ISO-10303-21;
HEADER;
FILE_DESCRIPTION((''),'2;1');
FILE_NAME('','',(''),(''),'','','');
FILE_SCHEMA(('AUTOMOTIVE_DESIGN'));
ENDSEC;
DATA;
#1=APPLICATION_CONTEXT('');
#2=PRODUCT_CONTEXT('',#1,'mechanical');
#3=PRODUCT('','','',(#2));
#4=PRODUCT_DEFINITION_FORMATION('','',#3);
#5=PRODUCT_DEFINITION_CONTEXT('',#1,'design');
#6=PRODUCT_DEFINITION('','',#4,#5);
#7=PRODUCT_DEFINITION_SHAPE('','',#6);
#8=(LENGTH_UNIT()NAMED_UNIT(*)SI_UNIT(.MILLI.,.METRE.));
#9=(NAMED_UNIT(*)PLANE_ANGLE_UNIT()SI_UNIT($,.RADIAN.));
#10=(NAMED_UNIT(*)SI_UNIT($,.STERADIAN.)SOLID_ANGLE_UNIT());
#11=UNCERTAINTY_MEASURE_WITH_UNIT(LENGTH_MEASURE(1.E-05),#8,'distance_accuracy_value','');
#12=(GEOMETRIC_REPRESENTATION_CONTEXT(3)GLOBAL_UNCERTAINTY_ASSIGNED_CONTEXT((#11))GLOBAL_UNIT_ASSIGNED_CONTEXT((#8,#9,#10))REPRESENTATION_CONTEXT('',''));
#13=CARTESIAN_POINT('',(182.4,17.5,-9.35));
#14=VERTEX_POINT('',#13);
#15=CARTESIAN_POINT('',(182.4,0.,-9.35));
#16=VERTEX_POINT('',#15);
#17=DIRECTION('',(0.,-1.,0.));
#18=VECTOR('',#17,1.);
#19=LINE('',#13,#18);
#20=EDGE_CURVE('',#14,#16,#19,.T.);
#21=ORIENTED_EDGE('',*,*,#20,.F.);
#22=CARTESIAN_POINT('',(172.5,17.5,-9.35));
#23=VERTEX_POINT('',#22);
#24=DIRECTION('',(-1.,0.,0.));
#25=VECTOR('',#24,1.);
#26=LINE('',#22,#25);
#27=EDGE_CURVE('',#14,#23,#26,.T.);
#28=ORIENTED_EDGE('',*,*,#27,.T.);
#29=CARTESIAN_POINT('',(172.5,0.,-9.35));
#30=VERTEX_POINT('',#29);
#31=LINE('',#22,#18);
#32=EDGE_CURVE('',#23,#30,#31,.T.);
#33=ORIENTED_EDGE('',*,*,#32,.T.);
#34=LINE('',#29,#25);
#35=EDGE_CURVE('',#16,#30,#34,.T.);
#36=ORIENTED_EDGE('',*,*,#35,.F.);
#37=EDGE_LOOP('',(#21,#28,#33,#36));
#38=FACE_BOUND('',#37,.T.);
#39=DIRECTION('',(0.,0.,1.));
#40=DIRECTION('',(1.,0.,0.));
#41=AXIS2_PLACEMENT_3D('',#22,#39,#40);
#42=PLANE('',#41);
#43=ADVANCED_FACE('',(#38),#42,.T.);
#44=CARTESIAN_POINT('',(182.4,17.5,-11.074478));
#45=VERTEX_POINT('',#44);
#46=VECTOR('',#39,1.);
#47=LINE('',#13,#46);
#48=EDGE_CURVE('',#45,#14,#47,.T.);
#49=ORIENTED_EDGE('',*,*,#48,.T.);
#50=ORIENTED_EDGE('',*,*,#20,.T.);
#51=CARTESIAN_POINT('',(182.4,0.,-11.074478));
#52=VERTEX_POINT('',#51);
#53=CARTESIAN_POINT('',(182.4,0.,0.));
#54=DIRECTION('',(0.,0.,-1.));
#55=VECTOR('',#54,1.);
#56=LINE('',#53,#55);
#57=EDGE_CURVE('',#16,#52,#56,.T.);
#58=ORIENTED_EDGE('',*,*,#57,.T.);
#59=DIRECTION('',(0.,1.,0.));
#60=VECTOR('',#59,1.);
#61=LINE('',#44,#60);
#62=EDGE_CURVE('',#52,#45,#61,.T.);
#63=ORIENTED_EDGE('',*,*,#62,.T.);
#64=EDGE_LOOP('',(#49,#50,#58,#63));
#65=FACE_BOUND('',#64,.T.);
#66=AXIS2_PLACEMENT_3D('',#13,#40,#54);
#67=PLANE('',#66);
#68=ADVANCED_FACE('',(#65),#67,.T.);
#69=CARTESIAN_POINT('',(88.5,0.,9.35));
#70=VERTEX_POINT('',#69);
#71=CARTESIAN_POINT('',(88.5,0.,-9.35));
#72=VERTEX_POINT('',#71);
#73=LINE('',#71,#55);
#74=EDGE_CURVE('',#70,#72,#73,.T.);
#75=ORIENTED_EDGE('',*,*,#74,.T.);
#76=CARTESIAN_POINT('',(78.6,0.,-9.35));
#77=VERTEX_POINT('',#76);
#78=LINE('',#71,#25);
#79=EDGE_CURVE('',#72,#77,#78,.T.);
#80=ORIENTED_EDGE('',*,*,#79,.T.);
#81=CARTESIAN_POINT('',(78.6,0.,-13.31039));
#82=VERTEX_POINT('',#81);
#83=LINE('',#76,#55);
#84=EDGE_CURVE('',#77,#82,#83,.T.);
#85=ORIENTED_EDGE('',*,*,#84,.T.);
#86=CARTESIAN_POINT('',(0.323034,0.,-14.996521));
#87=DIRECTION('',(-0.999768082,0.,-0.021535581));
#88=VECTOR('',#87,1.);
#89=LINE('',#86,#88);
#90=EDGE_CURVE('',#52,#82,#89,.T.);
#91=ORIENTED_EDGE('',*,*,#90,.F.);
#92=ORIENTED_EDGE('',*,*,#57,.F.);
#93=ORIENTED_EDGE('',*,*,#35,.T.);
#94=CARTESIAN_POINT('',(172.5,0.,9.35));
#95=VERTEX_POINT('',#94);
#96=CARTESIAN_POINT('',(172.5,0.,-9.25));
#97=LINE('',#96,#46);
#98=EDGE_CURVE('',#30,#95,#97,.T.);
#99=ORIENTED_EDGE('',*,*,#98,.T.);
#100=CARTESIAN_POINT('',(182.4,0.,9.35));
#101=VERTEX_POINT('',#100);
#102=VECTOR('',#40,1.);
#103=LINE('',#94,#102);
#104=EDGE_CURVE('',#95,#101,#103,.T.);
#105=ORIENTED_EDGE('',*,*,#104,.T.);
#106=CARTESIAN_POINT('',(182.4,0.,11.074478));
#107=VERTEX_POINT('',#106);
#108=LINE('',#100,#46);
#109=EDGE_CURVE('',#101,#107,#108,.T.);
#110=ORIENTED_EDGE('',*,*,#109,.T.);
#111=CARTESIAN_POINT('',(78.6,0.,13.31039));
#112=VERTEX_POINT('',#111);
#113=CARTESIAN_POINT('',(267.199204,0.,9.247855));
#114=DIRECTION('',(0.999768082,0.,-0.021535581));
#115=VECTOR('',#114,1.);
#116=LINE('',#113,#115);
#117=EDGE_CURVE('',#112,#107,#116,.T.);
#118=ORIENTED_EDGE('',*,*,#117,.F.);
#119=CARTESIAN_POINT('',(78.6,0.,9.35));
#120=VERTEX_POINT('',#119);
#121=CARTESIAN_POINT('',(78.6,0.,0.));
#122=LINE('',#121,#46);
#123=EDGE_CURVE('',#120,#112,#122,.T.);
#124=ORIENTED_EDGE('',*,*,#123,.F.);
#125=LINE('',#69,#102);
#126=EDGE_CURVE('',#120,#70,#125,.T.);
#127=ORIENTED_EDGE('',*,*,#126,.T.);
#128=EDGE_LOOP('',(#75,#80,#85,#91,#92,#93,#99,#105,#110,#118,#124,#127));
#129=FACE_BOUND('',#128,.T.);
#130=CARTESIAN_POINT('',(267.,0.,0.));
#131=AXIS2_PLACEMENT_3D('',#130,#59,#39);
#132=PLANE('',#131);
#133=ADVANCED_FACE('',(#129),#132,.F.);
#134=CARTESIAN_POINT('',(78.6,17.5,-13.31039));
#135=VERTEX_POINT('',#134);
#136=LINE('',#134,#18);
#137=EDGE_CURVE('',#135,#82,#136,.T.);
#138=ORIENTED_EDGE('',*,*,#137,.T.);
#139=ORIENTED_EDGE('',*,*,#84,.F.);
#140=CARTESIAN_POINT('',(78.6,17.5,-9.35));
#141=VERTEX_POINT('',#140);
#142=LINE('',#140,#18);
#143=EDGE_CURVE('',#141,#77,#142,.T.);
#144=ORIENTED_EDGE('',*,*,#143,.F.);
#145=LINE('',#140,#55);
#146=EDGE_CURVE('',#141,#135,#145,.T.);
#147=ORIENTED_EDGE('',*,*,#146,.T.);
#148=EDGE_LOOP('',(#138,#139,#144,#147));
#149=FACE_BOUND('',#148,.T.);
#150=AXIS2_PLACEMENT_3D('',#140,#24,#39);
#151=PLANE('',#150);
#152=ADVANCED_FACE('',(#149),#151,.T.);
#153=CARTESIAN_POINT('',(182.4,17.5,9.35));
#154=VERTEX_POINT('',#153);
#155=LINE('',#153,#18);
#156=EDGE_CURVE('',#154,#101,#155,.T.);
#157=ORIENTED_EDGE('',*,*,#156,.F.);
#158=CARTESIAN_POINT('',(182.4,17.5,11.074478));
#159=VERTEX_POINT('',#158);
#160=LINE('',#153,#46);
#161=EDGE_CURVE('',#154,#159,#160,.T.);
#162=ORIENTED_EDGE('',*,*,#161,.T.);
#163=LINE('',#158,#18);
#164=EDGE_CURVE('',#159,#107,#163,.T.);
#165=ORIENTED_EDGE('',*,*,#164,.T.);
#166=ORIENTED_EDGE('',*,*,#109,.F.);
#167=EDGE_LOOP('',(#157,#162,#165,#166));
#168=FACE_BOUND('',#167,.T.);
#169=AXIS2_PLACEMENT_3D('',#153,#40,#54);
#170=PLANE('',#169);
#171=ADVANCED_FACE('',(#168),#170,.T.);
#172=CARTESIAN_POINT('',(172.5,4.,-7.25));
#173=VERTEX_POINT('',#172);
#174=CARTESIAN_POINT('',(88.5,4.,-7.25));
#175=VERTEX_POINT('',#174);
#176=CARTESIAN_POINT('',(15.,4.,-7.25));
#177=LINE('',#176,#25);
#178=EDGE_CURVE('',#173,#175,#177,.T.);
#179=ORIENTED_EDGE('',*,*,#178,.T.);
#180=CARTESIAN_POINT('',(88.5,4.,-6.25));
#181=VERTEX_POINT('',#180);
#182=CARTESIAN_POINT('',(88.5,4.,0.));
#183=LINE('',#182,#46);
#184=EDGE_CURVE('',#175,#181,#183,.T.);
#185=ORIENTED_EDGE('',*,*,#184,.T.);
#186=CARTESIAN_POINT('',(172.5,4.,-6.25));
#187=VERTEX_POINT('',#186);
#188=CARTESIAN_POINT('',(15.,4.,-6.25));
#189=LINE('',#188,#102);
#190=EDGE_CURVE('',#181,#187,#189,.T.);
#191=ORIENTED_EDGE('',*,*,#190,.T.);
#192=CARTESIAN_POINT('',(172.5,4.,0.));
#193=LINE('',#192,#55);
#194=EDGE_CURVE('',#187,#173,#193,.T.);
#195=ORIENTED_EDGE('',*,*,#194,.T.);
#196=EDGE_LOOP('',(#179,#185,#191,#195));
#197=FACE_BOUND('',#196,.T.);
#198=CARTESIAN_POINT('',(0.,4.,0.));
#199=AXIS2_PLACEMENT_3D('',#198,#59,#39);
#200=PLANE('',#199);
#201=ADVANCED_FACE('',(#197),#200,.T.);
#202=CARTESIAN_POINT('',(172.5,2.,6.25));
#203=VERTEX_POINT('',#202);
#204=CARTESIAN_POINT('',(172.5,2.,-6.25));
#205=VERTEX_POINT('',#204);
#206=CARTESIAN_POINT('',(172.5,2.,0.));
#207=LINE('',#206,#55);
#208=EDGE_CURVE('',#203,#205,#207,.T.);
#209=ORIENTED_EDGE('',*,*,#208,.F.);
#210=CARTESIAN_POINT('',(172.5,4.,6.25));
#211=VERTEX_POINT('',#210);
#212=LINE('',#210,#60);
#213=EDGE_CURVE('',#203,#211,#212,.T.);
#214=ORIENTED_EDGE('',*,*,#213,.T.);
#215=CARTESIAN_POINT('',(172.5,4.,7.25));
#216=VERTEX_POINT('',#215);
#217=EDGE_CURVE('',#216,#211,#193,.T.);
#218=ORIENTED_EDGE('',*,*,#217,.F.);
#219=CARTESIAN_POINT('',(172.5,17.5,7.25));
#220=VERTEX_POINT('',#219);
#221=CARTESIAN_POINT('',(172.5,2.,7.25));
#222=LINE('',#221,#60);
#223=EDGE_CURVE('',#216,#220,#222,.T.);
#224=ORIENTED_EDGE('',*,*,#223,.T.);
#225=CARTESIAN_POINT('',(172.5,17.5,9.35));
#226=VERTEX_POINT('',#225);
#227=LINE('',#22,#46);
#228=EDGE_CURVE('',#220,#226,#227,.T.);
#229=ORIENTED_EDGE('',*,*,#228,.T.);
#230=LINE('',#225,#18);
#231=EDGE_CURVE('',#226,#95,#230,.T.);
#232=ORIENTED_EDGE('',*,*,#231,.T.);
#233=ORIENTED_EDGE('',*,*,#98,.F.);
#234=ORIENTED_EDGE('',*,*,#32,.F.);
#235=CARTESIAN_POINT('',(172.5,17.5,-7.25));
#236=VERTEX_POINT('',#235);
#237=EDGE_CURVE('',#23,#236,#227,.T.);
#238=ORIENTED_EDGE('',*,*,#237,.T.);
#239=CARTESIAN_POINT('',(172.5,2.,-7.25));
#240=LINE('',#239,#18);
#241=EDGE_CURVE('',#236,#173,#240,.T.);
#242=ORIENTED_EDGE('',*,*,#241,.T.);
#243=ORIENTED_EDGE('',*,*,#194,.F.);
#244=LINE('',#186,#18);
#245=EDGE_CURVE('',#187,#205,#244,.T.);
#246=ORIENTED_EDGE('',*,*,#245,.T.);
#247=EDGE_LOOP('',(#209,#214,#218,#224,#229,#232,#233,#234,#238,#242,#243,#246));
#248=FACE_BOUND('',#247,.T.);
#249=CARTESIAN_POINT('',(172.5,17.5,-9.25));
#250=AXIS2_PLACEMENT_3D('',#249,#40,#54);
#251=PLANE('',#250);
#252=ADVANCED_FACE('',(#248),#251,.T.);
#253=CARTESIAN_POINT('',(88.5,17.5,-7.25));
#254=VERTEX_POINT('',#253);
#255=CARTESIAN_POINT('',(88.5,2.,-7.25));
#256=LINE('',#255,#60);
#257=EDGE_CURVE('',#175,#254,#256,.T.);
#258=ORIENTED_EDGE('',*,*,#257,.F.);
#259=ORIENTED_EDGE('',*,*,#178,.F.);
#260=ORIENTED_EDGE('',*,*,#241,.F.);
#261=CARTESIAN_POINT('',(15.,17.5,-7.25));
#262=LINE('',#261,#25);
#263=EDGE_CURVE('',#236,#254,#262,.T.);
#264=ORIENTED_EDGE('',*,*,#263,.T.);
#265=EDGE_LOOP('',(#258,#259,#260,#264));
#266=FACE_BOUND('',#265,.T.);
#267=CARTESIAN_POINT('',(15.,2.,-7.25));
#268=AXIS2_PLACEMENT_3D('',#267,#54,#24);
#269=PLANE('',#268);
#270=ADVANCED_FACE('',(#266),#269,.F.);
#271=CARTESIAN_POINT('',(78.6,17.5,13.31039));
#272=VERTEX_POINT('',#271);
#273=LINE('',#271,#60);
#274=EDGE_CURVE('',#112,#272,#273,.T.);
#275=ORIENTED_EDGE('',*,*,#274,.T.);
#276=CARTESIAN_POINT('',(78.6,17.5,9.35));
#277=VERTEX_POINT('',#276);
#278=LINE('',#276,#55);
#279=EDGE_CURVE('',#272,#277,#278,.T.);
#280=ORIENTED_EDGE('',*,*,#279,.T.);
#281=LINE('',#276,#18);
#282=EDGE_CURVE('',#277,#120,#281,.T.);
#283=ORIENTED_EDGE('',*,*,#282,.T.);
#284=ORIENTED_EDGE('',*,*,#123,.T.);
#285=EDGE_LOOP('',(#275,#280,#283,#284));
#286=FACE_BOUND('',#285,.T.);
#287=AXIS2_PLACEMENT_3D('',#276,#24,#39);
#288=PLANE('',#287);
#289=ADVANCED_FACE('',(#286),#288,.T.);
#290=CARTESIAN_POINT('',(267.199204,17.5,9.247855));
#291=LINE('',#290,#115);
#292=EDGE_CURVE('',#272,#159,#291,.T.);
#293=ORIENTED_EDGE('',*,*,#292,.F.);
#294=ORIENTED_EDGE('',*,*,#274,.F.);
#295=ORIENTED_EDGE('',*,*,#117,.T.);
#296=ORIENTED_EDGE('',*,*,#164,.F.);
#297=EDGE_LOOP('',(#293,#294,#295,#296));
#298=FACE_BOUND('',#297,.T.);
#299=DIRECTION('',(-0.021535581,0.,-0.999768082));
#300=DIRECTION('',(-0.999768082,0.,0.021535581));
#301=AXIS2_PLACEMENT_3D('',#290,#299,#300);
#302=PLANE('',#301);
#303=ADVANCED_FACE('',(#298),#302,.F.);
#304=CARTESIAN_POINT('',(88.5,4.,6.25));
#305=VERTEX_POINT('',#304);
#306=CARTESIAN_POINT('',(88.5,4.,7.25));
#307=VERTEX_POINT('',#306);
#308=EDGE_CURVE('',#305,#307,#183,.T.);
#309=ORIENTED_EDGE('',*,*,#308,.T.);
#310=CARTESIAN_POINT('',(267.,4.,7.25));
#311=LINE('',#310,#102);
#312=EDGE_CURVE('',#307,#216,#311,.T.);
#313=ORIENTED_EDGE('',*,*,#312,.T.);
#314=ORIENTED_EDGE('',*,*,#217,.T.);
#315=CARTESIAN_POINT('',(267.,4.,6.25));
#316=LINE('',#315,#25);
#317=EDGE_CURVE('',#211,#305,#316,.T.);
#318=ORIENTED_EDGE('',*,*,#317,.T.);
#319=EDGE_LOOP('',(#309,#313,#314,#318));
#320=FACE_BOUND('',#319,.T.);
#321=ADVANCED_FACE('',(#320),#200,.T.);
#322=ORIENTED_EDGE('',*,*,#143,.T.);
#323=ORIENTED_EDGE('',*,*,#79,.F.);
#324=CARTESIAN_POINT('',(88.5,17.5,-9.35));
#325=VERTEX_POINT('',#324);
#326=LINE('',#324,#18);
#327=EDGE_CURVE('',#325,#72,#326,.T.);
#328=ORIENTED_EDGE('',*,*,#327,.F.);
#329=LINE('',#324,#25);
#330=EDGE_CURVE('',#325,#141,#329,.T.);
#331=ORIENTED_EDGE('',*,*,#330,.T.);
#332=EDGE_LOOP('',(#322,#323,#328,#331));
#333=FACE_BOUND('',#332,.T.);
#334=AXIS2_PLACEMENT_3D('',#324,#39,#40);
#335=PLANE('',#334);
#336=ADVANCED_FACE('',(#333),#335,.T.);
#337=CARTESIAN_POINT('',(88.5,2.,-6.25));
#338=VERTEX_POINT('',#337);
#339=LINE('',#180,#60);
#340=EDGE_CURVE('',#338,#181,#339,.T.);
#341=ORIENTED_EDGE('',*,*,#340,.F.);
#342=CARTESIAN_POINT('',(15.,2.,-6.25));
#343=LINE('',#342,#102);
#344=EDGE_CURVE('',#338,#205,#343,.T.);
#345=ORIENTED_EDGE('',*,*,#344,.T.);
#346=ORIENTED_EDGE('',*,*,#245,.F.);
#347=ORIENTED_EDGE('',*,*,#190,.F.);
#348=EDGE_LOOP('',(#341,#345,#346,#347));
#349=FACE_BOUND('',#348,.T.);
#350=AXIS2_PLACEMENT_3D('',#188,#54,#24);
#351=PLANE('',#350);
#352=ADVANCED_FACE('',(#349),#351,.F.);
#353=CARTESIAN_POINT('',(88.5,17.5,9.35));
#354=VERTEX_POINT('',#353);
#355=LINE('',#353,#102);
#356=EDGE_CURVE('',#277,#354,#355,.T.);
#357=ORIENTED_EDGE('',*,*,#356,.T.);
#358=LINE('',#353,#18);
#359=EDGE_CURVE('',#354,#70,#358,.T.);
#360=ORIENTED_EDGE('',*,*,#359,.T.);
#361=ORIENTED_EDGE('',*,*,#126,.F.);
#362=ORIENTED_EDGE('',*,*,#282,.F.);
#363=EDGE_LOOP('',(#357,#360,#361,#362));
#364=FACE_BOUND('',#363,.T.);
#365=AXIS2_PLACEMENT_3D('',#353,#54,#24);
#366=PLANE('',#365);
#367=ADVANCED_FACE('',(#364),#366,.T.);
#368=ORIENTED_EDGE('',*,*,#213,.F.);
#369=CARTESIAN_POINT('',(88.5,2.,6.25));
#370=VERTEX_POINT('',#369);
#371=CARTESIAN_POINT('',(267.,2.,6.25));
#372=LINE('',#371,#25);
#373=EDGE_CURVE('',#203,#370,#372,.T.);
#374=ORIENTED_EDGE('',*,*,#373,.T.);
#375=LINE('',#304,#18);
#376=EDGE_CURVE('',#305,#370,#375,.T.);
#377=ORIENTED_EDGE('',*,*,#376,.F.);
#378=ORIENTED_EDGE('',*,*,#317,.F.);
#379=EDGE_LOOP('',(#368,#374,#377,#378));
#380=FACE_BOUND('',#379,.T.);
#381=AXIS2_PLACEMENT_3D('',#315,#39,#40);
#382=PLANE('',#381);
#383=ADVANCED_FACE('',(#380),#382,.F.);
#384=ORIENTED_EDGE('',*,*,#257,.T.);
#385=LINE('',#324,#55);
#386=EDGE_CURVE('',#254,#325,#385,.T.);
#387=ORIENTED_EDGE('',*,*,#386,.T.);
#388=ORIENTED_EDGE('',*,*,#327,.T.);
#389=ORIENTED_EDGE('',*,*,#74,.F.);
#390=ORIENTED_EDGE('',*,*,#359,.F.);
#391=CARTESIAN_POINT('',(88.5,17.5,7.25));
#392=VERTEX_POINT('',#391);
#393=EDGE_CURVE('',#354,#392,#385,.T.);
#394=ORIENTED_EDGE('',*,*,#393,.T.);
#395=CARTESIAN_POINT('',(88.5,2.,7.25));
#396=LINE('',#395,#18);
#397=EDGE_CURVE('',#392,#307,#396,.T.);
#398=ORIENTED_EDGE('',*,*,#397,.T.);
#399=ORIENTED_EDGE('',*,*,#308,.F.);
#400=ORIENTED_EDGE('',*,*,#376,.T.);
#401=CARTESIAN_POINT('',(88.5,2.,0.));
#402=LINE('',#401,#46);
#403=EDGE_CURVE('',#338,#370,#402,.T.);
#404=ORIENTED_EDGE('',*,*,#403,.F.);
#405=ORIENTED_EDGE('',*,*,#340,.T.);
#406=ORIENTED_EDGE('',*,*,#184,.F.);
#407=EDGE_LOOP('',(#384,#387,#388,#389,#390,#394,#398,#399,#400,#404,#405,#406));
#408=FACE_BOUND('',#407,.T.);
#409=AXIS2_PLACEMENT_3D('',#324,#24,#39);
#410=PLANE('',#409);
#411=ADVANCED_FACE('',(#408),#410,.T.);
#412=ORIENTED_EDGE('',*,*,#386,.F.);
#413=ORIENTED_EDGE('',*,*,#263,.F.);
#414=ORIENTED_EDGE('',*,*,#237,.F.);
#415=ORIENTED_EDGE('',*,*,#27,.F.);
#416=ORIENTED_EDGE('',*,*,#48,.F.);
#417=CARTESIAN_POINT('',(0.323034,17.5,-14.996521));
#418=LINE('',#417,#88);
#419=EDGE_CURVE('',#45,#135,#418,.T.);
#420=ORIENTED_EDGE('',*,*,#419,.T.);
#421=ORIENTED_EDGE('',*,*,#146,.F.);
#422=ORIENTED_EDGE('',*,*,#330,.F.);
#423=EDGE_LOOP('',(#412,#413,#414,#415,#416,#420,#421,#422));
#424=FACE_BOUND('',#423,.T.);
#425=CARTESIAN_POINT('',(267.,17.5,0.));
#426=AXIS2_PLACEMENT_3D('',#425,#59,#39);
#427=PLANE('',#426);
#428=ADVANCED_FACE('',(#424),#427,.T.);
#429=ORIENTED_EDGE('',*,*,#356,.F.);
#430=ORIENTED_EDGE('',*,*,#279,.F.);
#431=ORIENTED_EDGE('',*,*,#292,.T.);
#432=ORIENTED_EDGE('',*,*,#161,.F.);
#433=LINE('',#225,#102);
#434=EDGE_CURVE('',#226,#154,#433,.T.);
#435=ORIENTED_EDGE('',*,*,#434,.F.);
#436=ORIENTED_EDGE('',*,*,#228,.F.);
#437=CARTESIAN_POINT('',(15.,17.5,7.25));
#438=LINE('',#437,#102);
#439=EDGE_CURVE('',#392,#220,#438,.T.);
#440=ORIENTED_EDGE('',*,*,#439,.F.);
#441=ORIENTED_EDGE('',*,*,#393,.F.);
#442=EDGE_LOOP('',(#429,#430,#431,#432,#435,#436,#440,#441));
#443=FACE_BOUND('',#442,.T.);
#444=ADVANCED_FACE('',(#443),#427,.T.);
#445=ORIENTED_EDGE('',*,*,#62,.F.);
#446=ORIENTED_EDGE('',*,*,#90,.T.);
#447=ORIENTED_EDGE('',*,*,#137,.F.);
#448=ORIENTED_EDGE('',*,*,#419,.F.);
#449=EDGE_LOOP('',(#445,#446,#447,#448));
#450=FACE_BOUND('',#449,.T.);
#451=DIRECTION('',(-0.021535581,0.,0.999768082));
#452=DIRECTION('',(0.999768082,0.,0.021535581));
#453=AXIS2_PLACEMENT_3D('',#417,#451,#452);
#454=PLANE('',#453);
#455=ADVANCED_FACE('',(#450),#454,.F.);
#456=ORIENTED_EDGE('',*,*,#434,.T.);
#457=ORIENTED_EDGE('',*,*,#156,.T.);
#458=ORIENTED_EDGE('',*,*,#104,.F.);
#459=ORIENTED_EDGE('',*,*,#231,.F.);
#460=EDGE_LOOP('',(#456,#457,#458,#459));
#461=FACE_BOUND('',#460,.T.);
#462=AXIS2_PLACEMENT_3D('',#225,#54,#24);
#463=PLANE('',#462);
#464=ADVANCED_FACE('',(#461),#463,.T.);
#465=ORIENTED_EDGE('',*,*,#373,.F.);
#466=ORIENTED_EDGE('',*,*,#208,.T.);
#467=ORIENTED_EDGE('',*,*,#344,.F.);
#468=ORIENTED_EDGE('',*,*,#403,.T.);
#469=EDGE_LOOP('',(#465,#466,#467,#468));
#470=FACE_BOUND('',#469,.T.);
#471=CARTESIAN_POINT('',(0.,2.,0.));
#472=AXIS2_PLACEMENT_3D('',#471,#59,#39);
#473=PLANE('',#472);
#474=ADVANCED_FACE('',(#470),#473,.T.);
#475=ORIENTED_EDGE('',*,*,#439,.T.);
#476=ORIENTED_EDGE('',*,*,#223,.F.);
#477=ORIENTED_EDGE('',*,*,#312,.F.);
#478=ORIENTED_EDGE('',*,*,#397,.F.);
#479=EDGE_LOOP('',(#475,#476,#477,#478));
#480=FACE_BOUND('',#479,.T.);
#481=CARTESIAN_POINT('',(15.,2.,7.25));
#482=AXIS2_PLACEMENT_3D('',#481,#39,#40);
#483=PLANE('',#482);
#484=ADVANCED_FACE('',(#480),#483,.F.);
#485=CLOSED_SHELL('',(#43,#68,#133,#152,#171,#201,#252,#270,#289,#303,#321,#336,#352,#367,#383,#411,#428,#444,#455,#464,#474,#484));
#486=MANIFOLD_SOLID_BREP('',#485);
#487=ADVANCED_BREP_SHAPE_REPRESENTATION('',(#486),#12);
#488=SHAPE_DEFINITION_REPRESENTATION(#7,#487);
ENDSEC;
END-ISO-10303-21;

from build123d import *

# Parameters (mm, degrees)
BOSS_EXTRUDE1_DEPTH     = 17.5
SKETCH2_W               = 252
SKETCH2_H               = 14.5
CUT_EXTRUDE1_DEPTH      = 15.5
SKETCH3_R               = 13
CUT_EXTRUDE2_DEPTH      = 15.5
CUT_EXTRUDE3_REACH      = 264.265
CUT_EXTRUDE3_END_RADIUS = 13
SKETCH5_W               = 252
SKETCH5_H               = 1
BOSS_EXTRUDE2_DEPTH     = 2
SKETCH6_R               = 1
CUT_EXTRUDE4_DEPTH      = 2
CUT_EXTRUDE9_DEPTH      = 278.209870862


with BuildPart() as part:
    # Sketch1 → Boss-Extrude1 (new body)
    with BuildSketch(Plane(origin=(0, 0, 0), x_dir=(1, 0, 0), z_dir=(0, 1, 0))):
        with BuildLine():
            Line((0.323033708, 14.996521237), (267.19920412, 9.247854763))
            ThreePointArc((267.19920412, 9.247854763), (276.25, 0), (267.19920412, -9.247854763))
            Line((267.19920412, -9.247854763), (0.323033708, -14.996521237))
            ThreePointArc((0.323033708, -14.996521237), (-15, 0), (0.323033708, 14.996521237))
        make_face()
    extrude(amount=BOSS_EXTRUDE1_DEPTH)

    # Sketch2 → Cut-Extrude1 (cut)
    with BuildSketch(Plane(origin=(0, 17.5, 0), x_dir=(1, 0, 0), z_dir=(0, 1, 0))):
        with Locations((141, 0)):
            Rectangle(SKETCH2_W, SKETCH2_H)
    extrude(amount=-CUT_EXTRUDE1_DEPTH, mode=Mode.SUBTRACT)

    # Sketch3 → Cut-Extrude2 (cut)
    with BuildSketch(Plane(origin=(0, 17.5, 0), x_dir=(1, 0, 0), z_dir=(0, 1, 0))):
        with Locations(Location((0, 0, 0), (0, 0, 270))):
            Circle(SKETCH3_R)
    extrude(amount=-CUT_EXTRUDE2_DEPTH, mode=Mode.SUBTRACT)

    # Cut-Extrude3: up to this cylinder (the profile starts outside it)
    cut_extrude3_end = Plane(origin=(0, 8.125709, 0), z_dir=(0, 1, 0)) * Cylinder(CUT_EXTRUDE3_END_RADIUS, 555.53, mode=Mode.PRIVATE)
    # Sketch4 → Cut-Extrude3 (cut, up to the surface)
    with BuildSketch(Plane(origin=(15, 0, 0), x_dir=(0, 0, -1), z_dir=(1, 0, 0)), mode=Mode.PRIVATE) as cut_extrude3_sk1:
        with BuildLine():
            Line((-7.25, 2), (7.25, 2))
            Line((7.25, 2), (7.25, 8.5))
            ThreePointArc((7.25, 8.5), (5.199747468, 13.449747468), (0.25, 15.5))
            Line((0.25, 15.5), (-0.25, 15.5))
            ThreePointArc((-0.25, 15.5), (-5.199747468, 13.449747468), (-7.25, 8.5))
            Line((-7.25, 8.5), (-7.25, 2))
        make_face()
    cut_extrude3_tool1 = extrude(cut_extrude3_sk1.sketch, amount=-CUT_EXTRUDE3_REACH, mode=Mode.PRIVATE) - cut_extrude3_end
    add(cut_extrude3_tool1.solids().sort_by_distance((15, 8.125709, 0))[0], mode=Mode.SUBTRACT)

    # Sketch5 → Boss-Extrude2 (add)
    with BuildSketch(Plane(origin=(0, 2, 0), x_dir=(1, 0, 0), z_dir=(0, 1, 0))):
        with Locations((141, 6.75)):
            Rectangle(SKETCH5_W, SKETCH5_H)
        with Locations((141, -6.75)):
            Rectangle(SKETCH5_W, SKETCH5_H)
    extrude(amount=BOSS_EXTRUDE2_DEPTH)

    # Sketch6 → Cut-Extrude4 (cut)
    with BuildSketch(Plane(origin=(0, 2, 0), x_dir=(1, 0, 0), z_dir=(0, 1, 0))):
        with Locations(Location((-5.25, 9.09326674, 0), (0, 0, 270))):
            Circle(SKETCH6_R)
        with Locations(Location((-10.5, 0, 0), (0, 0, 270))):
            Circle(SKETCH6_R)
        with Locations(Location((5.25, 9.09326674, 0), (0, 0, 270))):
            Circle(SKETCH6_R)
        with Locations(Location((10.5, 0, 0), (0, 0, 270))):
            Circle(SKETCH6_R)
        with Locations(Location((5.25, -9.09326674, 0), (0, 0, 270))):
            Circle(SKETCH6_R)
        with Locations(Location((-5.25, -9.09326674, 0), (0, 0, 270))):
            Circle(SKETCH6_R)
        Polygon((0, -10), (8.660254038, -5), (8.660254038, 5), (0, 10), (-8.660254038, 5), (-8.660254038, -5), align=None)
    extrude(amount=-CUT_EXTRUDE4_DEPTH, mode=Mode.SUBTRACT)

    # Sketch14 → Cut-Extrude9 (cut, through all)
    with BuildSketch(Plane(origin=(0, 0, 0), x_dir=(1, 0, 0), z_dir=(0, 1, 0))):
        Polygon((88.5, 9.35), (78.6, 9.35), (78.6, 35), (78.4, 35), (78.4, 9.15), (88.3, 9.15), (88.3, -9.15), (78.4, -9.15), (78.4, -35), (78.6, -35), (78.6, -9.35), (88.5, -9.35), align=None)
        Polygon((172.7, 9.15), (182.6, 9.15), (182.6, 35), (182.4, 35), (182.4, 9.35), (172.5, 9.35), (172.5, 9.25), (172.5, -9.35), (182.4, -9.35), (182.4, -35), (182.6, -35), (182.6, -9.15), (172.7, -9.15), align=None)
    extrude(amount=CUT_EXTRUDE9_DEPTH, mode=Mode.SUBTRACT)


with BuildPart() as cut_extrude9_kept_piece:
    # of the separate pieces the step leaves, the one the design keeps (cut_extrude9_pieces_kept)
    add(part.part.solids().sort_by_distance((182.4, 0, 11.074478478))[0])


solid = cut_extrude9_kept_piece.part
